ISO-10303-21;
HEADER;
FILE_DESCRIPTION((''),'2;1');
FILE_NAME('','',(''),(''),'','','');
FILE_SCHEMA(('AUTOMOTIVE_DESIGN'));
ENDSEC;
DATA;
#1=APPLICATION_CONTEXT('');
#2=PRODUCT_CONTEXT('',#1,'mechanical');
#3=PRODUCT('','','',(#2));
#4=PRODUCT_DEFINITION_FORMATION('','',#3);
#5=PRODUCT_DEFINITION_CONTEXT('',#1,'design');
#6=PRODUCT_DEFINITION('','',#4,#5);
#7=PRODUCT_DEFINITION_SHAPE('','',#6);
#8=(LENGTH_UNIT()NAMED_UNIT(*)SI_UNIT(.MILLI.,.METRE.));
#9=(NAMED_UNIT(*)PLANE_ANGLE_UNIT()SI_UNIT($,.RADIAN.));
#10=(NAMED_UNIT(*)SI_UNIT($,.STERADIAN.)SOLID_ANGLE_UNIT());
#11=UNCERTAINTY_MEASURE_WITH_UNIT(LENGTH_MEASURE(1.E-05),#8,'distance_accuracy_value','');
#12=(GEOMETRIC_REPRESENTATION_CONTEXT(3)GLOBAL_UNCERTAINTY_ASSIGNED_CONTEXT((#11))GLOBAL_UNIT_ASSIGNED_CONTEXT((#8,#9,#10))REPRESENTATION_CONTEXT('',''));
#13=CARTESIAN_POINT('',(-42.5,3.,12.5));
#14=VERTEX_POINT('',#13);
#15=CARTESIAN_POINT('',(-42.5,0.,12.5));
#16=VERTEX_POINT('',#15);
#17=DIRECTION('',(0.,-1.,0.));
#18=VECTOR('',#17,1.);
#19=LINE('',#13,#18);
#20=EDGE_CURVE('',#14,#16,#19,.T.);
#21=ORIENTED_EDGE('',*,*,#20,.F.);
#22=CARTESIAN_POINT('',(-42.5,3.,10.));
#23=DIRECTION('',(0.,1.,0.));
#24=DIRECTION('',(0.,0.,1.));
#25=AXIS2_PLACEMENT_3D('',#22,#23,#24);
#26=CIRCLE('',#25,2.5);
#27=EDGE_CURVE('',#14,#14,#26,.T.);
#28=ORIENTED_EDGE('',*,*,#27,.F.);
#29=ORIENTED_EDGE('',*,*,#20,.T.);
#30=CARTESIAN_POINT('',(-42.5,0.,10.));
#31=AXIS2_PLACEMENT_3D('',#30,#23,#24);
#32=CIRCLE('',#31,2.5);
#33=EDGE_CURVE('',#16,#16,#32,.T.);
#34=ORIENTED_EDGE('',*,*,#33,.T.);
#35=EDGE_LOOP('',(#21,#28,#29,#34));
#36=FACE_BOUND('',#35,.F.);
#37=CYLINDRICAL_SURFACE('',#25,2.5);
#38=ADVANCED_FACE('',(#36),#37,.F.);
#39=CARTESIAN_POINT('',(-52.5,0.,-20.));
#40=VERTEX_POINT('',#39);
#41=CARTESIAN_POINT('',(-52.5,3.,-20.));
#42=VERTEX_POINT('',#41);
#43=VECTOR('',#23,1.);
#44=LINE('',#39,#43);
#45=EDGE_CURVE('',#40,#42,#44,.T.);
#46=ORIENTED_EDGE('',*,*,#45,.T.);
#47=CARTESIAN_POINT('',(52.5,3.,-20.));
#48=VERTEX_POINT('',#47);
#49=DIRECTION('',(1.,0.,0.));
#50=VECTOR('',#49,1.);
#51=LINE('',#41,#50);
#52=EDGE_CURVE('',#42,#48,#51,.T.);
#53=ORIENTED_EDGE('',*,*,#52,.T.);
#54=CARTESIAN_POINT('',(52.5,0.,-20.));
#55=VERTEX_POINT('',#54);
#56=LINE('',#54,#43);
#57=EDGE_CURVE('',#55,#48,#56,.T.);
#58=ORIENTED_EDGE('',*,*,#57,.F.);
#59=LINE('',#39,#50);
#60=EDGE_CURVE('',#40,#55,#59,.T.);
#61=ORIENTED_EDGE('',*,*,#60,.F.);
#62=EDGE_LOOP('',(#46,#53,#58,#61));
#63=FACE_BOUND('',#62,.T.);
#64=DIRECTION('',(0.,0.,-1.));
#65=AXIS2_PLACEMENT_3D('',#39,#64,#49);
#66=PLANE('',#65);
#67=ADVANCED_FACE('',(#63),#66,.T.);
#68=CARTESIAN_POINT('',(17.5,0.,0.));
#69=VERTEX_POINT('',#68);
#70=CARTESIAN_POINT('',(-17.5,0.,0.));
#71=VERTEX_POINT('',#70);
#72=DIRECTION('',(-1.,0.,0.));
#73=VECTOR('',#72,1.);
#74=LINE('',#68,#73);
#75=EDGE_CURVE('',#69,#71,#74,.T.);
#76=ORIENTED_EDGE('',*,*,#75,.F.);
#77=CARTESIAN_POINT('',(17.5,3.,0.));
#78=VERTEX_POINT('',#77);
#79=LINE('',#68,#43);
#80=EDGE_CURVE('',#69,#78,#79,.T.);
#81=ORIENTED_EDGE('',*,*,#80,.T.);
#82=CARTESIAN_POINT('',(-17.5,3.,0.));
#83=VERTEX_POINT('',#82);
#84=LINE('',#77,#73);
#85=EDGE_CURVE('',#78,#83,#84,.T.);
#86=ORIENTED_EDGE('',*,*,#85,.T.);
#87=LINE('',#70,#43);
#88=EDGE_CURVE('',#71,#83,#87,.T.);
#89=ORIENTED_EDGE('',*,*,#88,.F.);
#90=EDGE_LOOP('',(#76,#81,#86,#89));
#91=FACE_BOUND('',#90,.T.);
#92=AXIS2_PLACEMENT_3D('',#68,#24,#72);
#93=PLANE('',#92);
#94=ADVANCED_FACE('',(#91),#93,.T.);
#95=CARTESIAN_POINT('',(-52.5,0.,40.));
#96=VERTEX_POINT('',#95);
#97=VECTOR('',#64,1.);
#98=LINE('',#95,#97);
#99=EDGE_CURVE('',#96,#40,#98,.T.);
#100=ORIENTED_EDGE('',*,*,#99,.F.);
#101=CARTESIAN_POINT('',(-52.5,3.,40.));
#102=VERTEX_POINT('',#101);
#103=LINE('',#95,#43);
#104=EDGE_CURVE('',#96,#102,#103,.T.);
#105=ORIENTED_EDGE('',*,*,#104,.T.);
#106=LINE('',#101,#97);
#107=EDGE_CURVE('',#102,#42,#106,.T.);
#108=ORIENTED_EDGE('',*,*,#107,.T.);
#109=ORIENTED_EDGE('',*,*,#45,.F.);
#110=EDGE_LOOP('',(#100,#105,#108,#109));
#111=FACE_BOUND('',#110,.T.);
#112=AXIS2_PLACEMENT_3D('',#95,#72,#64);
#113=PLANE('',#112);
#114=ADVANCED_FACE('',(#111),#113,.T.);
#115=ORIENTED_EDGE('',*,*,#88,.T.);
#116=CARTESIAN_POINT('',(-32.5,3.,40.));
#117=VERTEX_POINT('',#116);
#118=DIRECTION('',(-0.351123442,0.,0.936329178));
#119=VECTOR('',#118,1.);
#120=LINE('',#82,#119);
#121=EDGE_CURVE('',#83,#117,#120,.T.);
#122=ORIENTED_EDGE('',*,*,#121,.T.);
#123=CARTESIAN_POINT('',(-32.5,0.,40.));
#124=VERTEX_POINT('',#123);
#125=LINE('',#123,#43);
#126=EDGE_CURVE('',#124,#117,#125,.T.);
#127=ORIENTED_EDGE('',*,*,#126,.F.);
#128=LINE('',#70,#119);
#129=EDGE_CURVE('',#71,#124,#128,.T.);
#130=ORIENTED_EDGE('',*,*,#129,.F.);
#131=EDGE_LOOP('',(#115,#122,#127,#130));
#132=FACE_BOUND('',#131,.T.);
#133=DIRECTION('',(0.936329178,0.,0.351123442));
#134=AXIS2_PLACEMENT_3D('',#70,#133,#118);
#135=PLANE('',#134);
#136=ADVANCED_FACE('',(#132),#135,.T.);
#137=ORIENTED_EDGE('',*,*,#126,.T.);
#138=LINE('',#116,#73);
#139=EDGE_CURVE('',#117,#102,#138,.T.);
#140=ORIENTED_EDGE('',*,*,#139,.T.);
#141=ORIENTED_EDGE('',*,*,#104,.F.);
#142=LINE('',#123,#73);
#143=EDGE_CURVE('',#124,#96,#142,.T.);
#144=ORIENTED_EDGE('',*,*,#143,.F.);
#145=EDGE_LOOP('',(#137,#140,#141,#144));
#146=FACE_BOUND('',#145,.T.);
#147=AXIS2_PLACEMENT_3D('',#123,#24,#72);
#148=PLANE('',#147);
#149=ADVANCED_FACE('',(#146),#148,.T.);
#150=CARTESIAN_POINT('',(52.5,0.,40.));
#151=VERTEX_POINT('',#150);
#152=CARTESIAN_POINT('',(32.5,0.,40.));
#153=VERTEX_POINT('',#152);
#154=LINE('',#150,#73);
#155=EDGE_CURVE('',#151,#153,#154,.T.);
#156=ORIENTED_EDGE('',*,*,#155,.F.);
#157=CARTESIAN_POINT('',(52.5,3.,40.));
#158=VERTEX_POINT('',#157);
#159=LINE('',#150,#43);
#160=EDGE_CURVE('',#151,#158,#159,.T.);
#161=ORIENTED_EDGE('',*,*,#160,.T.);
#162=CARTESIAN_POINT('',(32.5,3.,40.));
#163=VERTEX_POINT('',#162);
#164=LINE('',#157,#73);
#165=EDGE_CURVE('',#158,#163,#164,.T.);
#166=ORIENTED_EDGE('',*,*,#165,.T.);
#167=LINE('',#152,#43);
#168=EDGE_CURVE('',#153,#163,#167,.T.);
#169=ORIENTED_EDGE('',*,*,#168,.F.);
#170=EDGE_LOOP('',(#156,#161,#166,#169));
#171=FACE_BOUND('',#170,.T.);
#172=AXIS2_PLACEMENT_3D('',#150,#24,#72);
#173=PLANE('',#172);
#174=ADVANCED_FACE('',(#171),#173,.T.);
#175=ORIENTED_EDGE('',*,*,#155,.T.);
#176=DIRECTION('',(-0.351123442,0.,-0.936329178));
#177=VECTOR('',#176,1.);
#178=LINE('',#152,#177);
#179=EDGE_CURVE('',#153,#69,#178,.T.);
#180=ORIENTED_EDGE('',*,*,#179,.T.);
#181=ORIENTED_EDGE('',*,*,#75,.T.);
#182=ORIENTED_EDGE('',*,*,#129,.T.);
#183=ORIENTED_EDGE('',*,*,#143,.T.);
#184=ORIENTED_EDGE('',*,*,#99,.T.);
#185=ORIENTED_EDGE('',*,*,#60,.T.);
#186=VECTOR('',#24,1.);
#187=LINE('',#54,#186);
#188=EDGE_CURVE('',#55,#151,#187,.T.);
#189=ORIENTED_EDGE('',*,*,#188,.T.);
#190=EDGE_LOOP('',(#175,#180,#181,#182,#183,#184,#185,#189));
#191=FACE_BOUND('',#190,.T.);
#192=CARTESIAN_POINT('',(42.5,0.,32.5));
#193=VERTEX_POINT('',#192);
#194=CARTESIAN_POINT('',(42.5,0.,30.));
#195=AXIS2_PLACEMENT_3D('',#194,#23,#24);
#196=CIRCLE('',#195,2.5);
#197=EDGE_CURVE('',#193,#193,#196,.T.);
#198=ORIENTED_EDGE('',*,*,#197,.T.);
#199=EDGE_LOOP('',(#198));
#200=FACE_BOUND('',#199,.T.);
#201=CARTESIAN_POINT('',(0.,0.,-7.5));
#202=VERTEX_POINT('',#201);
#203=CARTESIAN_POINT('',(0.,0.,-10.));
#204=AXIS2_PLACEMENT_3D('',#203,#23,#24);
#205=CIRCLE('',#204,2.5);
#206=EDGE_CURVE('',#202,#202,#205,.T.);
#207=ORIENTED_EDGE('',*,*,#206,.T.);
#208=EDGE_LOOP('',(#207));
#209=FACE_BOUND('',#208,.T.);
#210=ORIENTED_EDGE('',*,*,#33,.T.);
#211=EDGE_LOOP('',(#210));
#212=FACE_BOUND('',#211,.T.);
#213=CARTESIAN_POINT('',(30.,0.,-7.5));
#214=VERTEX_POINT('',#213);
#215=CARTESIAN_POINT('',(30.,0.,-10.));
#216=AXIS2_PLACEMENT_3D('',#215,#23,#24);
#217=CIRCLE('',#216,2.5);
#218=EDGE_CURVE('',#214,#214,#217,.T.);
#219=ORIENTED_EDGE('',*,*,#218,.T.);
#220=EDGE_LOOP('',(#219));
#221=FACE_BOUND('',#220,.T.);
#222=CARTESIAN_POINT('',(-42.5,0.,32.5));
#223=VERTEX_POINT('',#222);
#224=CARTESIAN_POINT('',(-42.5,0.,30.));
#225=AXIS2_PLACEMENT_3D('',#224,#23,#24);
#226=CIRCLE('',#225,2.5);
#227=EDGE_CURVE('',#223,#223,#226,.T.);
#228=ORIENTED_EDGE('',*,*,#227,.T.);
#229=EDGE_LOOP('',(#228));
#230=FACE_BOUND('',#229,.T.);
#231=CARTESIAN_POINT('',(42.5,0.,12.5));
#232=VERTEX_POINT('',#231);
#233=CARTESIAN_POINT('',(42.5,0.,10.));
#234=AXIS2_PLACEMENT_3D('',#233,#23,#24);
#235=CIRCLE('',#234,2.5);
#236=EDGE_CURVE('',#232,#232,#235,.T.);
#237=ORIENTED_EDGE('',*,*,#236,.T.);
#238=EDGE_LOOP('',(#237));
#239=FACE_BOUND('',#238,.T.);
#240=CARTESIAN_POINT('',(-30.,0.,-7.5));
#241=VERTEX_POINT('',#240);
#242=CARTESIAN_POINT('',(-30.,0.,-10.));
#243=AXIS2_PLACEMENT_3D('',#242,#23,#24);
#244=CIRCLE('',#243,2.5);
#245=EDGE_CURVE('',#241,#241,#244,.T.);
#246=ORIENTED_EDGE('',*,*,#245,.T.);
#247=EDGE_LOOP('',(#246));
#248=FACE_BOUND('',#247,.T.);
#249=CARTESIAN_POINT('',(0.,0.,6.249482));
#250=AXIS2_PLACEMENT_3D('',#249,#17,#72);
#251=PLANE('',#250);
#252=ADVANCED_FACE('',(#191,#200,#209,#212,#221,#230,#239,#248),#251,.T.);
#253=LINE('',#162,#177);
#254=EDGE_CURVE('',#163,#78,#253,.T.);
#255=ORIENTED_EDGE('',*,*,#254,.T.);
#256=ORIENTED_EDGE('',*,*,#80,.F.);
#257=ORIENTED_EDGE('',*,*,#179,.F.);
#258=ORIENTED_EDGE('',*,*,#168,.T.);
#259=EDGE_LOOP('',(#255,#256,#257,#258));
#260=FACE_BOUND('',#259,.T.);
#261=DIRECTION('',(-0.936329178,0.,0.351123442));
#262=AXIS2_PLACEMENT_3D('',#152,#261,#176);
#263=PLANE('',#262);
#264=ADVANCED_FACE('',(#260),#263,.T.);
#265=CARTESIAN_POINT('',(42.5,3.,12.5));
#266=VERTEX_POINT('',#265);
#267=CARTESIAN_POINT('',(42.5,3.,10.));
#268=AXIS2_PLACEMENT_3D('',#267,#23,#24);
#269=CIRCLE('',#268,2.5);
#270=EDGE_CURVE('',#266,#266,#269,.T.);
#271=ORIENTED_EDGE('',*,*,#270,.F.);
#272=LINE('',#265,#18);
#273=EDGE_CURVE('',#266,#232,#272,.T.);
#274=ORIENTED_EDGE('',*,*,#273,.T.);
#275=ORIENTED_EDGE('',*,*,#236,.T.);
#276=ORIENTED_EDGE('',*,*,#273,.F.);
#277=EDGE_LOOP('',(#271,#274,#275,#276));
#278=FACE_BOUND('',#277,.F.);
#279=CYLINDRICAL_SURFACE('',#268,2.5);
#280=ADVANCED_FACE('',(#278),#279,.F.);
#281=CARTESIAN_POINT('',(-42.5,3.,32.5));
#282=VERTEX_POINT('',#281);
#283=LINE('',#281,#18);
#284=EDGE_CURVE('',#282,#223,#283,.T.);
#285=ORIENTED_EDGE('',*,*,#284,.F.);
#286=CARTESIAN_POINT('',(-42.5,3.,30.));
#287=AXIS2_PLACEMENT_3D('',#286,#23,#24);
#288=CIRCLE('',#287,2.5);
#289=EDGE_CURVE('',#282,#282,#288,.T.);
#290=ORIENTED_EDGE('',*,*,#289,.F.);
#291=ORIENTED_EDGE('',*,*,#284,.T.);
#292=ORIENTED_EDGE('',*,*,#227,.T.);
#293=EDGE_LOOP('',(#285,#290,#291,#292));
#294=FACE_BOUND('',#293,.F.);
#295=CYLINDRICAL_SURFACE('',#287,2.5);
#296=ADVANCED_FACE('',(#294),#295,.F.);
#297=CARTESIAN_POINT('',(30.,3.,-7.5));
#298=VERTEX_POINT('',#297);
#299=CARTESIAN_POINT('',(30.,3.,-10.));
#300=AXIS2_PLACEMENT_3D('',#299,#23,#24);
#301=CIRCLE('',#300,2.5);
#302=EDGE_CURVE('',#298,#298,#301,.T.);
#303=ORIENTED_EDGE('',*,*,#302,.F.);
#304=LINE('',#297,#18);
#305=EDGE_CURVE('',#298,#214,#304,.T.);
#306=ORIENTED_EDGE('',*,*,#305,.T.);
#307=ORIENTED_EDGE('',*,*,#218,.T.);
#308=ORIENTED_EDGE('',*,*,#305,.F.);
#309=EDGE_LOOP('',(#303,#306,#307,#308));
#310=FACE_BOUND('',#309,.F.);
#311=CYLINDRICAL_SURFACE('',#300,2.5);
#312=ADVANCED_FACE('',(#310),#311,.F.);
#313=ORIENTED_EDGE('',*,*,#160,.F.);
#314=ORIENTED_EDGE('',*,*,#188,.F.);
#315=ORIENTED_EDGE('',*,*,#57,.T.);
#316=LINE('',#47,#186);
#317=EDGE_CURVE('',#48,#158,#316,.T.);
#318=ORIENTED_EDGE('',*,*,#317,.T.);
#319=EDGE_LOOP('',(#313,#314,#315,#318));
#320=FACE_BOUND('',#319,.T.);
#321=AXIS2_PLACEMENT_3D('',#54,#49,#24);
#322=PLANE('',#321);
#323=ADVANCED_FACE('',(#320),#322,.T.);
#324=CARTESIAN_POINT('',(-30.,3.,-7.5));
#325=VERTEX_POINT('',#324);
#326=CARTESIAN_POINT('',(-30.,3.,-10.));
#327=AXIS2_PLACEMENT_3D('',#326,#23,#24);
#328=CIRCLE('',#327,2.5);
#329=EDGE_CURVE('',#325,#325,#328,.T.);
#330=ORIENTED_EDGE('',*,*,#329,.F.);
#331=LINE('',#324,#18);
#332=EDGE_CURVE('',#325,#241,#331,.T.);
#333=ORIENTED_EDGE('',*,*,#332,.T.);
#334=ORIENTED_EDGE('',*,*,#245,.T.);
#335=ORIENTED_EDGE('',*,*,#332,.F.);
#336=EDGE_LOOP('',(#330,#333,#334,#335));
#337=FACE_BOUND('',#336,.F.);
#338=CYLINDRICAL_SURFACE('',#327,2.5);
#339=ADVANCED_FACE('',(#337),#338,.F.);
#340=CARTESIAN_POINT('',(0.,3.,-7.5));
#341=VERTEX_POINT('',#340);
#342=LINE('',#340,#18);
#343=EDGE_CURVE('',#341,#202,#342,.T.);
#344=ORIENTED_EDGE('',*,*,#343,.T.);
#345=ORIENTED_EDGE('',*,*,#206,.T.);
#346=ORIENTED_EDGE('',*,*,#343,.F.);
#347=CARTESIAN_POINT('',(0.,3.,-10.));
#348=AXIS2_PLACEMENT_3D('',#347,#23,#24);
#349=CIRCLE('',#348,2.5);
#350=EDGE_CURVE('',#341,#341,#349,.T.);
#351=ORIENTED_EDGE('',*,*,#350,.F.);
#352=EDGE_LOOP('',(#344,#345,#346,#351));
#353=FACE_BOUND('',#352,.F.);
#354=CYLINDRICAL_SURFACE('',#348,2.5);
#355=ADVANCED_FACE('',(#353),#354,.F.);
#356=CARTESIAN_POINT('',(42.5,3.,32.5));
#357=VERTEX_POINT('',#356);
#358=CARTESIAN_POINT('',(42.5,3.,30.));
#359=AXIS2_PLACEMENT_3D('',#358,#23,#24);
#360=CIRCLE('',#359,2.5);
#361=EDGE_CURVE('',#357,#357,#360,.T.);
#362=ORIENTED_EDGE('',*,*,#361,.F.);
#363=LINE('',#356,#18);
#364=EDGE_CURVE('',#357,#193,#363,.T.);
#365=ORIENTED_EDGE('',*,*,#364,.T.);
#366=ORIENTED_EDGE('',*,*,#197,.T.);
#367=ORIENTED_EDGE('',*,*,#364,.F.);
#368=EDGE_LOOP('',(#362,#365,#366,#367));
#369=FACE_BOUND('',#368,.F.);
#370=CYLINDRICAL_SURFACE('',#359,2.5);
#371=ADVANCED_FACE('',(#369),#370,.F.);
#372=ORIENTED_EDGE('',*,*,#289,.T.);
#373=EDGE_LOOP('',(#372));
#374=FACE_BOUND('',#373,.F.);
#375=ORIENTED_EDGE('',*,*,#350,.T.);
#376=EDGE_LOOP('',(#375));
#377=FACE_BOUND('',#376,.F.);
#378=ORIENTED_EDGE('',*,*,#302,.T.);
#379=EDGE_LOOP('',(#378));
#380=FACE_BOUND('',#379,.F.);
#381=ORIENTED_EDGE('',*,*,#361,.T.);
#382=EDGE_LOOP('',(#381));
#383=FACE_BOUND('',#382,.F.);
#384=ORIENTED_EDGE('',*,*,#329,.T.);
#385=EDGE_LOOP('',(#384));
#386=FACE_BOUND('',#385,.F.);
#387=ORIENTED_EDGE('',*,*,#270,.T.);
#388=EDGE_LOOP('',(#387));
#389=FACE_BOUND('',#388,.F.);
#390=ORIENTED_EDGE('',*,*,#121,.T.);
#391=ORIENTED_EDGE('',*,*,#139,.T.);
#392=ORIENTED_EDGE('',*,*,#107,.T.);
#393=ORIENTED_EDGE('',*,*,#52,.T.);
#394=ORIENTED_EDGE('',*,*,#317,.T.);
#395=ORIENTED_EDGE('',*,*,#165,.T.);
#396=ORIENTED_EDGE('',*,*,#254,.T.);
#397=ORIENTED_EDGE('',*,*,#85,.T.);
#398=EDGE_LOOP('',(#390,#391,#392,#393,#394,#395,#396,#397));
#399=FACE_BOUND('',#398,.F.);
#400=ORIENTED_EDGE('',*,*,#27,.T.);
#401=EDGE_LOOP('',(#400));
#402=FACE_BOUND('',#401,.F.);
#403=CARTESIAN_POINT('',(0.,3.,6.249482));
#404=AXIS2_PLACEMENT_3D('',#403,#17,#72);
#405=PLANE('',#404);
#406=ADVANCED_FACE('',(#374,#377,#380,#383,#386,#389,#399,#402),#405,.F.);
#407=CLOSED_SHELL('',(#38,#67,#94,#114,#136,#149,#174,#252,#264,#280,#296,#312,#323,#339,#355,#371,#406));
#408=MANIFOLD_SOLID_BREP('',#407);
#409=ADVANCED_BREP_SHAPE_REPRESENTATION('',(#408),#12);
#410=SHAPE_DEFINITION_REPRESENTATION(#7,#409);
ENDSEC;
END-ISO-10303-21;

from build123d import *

# Parameters (mm, degrees)
BOSS_EXTRUDE1_DEPTH = 3
SKETCH2_R           = 2.5
CUT_EXTRUDE1_DEPTH  = 3


with BuildPart() as part:
    # Sketch1 → Boss-Extrude1 (new body)
    with BuildSketch(Plane(origin=(0, 0, 0), x_dir=(1, 0, 0), z_dir=(0, 1, 0))):
        Polygon((-52.5, 20), (52.5, 20), (52.5, -40), (32.5, -40), (17.5, 0), (-17.5, 0), (-32.5, -40), (-52.5, -40), align=None)
    extrude(amount=BOSS_EXTRUDE1_DEPTH)

    # Sketch2 → Cut-Extrude1 (cut)
    with BuildSketch(Plane(origin=(0, 3, 0), x_dir=(1, 0, 0), z_dir=(0, 1, 0))):
        with Locations(Location((42.5, -10, 0), (0, 0, 270))):
            Circle(SKETCH2_R)
        with Locations(Location((42.5, -30, 0), (0, 0, 270))):
            Circle(SKETCH2_R)
        with Locations(Location((-42.5, -30, 0), (0, 0, 270))):
            Circle(SKETCH2_R)
        with Locations(Location((0, 10, 0), (0, 0, 270))):
            Circle(SKETCH2_R)
        with Locations(Location((-42.5, -10, 0), (0, 0, 270))):
            Circle(SKETCH2_R)
        with Locations(Location((-30, 10, 0), (0, 0, 270))):
            Circle(SKETCH2_R)
        with Locations(Location((30, 10, 0), (0, 0, 270))):
            Circle(SKETCH2_R)
    extrude(amount=-CUT_EXTRUDE1_DEPTH, mode=Mode.SUBTRACT)


solid = part.part
